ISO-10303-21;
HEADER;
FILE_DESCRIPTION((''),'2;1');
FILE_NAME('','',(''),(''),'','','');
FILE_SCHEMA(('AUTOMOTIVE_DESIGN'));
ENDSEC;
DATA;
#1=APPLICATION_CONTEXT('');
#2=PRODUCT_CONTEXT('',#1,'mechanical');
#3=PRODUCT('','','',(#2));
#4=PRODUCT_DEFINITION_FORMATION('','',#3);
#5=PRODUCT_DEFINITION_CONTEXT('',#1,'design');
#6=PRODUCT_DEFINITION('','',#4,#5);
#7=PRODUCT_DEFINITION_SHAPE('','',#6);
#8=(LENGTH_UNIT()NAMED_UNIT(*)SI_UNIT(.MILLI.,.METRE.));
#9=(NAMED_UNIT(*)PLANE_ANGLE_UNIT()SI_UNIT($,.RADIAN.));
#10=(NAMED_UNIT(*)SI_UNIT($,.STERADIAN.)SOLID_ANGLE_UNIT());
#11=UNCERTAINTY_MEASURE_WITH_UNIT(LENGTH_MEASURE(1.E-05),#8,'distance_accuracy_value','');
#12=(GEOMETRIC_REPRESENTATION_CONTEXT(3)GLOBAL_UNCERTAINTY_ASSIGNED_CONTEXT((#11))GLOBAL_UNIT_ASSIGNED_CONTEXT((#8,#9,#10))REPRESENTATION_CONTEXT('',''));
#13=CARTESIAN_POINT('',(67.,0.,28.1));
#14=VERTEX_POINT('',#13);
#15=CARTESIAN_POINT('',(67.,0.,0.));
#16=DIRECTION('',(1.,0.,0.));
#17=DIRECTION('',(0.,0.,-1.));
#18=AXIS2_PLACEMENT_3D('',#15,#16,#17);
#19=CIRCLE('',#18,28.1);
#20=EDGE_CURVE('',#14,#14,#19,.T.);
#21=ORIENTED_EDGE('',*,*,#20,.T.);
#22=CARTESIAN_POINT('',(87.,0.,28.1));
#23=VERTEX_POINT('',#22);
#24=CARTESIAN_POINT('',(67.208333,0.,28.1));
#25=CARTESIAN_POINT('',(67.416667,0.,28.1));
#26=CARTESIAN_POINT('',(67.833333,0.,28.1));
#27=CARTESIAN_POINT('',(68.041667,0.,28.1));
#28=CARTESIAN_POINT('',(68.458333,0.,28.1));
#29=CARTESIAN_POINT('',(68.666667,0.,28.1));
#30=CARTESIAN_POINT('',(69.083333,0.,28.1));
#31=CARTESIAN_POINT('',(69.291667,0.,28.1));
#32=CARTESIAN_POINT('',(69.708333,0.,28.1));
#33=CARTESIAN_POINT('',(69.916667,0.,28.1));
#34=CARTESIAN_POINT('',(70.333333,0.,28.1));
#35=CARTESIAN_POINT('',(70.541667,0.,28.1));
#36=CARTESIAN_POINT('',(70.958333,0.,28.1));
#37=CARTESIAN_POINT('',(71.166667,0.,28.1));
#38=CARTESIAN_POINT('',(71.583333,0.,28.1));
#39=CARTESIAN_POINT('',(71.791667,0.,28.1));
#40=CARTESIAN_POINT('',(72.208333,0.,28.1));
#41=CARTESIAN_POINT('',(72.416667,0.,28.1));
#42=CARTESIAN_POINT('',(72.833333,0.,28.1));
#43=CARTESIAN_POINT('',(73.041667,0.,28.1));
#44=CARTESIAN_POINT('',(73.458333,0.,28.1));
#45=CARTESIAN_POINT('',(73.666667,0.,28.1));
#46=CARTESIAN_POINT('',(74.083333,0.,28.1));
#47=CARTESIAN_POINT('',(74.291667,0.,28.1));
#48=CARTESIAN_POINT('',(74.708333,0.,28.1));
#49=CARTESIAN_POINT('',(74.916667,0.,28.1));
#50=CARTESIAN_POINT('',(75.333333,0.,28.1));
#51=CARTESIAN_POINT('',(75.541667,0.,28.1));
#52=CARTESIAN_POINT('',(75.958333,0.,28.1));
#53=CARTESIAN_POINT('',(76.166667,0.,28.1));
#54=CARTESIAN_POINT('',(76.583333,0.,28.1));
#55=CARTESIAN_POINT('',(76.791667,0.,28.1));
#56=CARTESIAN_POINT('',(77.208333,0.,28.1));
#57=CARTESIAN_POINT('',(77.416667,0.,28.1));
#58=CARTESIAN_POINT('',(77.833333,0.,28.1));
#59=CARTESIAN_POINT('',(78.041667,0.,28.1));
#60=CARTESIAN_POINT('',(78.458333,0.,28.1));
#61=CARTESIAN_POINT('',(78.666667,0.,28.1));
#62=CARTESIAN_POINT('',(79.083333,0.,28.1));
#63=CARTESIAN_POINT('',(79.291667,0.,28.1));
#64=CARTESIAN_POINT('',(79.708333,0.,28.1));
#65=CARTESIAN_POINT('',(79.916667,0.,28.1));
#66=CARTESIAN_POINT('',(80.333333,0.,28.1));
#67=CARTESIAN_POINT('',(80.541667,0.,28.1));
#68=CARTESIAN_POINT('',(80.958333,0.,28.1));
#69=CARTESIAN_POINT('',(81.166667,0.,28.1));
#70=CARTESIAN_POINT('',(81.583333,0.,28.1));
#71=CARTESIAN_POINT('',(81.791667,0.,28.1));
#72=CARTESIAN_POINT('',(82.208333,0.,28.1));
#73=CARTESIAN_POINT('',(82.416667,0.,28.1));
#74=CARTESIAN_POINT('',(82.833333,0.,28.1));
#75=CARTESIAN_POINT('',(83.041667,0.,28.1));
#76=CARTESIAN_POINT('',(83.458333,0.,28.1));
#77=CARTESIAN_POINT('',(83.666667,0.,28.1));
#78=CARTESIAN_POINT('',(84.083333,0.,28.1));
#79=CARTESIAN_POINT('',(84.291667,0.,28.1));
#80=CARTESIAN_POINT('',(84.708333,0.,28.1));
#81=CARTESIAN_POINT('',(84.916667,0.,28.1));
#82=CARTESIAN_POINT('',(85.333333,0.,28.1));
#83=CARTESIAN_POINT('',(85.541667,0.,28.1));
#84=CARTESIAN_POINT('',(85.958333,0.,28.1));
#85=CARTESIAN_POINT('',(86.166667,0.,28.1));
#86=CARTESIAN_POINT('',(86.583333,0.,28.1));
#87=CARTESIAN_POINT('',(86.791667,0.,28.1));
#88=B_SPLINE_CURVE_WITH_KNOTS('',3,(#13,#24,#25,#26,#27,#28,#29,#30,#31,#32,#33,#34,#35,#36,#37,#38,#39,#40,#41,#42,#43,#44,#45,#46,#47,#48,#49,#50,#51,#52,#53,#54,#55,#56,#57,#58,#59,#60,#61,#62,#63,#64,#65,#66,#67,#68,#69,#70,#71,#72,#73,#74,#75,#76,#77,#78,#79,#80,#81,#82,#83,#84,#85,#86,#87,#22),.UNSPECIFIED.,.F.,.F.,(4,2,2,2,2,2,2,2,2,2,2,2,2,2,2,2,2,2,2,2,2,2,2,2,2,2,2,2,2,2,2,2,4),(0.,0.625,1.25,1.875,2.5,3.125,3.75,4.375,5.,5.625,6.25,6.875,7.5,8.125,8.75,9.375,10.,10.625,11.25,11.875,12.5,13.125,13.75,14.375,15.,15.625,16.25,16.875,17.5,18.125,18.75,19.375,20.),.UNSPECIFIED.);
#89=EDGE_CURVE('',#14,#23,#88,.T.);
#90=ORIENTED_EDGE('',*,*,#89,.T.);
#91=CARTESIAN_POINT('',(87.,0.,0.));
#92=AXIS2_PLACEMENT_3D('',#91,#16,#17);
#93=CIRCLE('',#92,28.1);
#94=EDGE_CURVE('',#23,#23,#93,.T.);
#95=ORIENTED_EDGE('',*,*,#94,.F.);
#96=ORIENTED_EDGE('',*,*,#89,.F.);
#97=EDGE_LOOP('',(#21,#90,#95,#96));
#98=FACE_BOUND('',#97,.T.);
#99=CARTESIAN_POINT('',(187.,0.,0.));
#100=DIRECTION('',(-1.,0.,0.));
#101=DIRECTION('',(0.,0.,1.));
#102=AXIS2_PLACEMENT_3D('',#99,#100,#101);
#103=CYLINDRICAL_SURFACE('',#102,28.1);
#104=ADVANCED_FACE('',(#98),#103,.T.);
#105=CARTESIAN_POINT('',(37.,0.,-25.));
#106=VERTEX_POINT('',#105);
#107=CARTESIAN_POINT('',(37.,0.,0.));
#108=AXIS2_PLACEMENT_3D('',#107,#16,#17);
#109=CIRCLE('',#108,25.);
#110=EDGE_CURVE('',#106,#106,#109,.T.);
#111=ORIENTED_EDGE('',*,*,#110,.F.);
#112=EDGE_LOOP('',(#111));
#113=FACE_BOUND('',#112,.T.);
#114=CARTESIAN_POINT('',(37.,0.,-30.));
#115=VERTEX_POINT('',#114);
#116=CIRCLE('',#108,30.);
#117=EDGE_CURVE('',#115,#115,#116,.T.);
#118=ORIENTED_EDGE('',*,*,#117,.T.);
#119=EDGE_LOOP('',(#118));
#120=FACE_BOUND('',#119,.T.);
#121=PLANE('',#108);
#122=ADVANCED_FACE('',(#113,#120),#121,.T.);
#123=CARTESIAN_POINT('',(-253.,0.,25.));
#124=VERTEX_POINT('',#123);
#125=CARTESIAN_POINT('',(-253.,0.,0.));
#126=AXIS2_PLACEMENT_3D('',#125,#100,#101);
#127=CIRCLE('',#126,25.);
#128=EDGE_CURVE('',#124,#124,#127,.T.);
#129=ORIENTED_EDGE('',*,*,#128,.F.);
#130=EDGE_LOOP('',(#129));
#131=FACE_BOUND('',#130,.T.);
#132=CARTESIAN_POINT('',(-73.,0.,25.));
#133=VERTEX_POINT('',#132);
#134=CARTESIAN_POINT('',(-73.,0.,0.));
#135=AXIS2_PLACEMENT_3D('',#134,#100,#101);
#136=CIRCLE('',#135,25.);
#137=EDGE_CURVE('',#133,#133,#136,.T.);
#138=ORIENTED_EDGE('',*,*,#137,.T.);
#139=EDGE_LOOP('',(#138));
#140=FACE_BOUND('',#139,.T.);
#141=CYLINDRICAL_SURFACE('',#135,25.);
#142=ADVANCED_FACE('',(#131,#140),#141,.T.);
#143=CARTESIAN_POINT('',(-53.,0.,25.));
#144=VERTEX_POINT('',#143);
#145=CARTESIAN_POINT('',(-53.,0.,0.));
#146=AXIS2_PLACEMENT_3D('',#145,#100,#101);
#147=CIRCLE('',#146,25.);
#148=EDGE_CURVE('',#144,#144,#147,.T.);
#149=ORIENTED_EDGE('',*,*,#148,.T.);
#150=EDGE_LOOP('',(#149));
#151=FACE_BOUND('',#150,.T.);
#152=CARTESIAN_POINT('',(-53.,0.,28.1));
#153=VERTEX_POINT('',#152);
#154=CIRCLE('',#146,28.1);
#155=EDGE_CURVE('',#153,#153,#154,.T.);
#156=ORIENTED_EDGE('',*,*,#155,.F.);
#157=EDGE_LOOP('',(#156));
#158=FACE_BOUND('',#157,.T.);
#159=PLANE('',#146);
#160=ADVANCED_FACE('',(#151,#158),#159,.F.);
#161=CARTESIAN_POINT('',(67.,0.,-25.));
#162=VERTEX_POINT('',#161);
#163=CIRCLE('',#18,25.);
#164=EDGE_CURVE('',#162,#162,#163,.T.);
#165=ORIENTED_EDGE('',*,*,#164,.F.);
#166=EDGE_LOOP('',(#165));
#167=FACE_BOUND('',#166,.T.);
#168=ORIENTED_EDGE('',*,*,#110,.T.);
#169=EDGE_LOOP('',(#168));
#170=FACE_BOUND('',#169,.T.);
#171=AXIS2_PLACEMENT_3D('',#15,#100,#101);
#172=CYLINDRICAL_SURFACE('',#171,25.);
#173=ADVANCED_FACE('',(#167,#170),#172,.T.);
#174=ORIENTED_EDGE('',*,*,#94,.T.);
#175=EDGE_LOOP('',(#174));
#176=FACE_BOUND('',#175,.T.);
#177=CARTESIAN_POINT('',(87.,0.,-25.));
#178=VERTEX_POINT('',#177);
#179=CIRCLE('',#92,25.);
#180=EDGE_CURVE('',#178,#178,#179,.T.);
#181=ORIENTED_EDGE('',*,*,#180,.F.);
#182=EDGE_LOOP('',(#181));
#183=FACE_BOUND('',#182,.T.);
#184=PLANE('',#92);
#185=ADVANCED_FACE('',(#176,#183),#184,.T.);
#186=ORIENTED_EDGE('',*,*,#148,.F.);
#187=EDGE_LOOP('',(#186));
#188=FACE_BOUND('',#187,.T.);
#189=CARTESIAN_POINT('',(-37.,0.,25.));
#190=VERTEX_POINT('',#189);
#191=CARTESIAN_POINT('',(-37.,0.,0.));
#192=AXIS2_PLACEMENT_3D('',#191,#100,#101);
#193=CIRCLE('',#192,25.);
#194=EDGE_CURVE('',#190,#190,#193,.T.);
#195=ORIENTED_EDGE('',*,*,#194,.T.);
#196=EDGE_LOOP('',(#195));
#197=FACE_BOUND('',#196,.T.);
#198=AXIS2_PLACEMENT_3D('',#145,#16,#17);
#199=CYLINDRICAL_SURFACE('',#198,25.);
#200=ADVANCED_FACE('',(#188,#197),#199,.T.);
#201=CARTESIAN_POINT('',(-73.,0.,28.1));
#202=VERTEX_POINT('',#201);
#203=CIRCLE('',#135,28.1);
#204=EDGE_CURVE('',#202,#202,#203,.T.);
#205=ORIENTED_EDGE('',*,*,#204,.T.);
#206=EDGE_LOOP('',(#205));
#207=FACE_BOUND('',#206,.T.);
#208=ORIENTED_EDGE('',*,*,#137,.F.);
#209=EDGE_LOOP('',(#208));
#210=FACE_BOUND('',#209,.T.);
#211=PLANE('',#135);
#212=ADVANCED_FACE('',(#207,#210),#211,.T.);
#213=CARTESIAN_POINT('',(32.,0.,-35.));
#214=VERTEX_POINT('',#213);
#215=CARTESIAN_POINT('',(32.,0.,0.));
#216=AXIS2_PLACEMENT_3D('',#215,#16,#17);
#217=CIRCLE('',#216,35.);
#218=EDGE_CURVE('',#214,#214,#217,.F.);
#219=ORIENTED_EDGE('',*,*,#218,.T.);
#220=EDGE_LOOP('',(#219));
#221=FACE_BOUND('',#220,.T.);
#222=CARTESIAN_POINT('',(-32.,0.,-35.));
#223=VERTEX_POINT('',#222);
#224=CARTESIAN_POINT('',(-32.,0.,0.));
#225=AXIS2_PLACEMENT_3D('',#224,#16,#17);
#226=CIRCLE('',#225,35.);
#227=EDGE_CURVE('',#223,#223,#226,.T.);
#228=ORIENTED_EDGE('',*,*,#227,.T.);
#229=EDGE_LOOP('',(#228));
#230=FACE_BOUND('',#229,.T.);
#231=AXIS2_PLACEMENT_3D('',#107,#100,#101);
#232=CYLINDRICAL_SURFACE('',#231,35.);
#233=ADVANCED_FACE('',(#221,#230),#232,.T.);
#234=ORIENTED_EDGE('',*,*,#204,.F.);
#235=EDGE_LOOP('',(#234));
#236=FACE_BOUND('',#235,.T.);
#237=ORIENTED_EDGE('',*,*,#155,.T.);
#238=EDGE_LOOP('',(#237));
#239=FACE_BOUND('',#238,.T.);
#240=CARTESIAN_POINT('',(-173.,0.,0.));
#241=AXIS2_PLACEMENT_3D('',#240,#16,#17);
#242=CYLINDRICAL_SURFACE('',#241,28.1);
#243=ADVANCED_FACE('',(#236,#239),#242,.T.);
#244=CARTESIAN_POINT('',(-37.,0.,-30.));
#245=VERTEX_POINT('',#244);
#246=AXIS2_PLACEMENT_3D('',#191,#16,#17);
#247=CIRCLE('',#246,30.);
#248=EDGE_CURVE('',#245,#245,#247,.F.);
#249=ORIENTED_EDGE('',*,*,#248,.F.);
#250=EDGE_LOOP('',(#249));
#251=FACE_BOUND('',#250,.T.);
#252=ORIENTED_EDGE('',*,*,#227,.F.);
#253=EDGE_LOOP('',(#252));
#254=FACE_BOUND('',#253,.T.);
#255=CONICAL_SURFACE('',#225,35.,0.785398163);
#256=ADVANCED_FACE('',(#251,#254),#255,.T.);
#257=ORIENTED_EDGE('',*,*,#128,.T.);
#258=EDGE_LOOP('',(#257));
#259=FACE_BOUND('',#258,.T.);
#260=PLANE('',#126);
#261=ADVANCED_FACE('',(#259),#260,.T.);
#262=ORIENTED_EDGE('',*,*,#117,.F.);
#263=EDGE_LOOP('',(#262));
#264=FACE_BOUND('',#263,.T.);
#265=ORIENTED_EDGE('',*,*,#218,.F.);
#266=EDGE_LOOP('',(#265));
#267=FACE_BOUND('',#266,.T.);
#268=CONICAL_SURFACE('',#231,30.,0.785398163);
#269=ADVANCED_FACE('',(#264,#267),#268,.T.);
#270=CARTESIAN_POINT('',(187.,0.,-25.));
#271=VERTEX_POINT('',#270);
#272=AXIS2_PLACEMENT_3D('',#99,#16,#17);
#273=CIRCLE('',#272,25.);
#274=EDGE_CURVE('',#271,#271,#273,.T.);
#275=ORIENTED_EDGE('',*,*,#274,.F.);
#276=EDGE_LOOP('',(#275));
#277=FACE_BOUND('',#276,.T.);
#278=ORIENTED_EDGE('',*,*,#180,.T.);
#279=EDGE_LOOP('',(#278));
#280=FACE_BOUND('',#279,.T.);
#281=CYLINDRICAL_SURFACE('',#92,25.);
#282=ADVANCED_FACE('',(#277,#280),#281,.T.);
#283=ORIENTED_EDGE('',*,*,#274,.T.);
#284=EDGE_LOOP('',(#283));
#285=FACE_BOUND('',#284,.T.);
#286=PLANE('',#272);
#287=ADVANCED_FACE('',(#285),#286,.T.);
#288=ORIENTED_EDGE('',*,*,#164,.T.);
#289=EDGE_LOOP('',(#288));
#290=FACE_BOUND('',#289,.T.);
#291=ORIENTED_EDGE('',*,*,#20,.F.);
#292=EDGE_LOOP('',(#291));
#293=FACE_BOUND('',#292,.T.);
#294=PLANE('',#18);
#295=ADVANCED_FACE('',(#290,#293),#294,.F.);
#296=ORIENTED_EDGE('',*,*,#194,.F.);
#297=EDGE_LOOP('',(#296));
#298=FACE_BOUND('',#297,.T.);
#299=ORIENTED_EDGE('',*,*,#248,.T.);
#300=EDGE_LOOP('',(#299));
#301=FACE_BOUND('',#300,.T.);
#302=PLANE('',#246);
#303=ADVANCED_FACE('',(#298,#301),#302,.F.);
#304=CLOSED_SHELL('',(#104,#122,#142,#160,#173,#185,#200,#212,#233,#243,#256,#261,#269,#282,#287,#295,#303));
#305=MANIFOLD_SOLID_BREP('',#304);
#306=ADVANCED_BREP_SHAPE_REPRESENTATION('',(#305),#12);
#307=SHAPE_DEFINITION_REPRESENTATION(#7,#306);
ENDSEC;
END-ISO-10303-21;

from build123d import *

# Parameters (mm, degrees)
CROQUIS1_R              = 35
SALIENTE_EXTRUIR1_DEPTH = 37
CHAFL_N1_SIZE           = 5
CROQUIS2_R              = 25
SALIENTE_EXTRUIR2_DEPTH = 16
CROQUIS3_R              = 28.1
SALIENTE_EXTRUIR3_DEPTH = 120
SALIENTE_EXTRUIR4_START = 30
CROQUIS4_R              = 25
SALIENTE_EXTRUIR4_DEPTH = 30
SALIENTE_EXTRUIR5_START = 120
CROQUIS5_R              = 28.1
SALIENTE_EXTRUIR5_DEPTH = 120
CORTAR_EXTRUIR1_START   = -100
CROQUIS6_R              = 28.1
CROQUIS6_R_2            = 25
CORTAR_EXTRUIR1_DEPTH   = 100
CROQUIS8_R              = 28.1
CROQUIS8_R_2            = 25
CORTAR_EXTRUIR2_DEPTH   = 100
CROQUIS9_R              = 25
SALIENTE_EXTRUIR6_DEPTH = 80


with BuildPart() as part:
    # Croquis1 → Saliente-Extruir1 (new, symmetric)
    with BuildSketch(Plane(origin=(0, 0, 0), x_dir=(0, 0, -1), z_dir=(1, 0, 0))):
        Circle(CROQUIS1_R)
    extrude(amount=SALIENTE_EXTRUIR1_DEPTH, both=True)

    # Chaflán1
    chafl_n1_edges = [part.edges().sort_by_distance(p)[0] for p in [
        (-37, 0, 35),
        (37, 0, 35),
    ]]
    chamfer(chafl_n1_edges, length=CHAFL_N1_SIZE)

    # Croquis2 → Saliente-Extruir2 (add)
    with BuildSketch(Plane.ZY.offset(37)):
        Circle(CROQUIS2_R)
    extrude(amount=SALIENTE_EXTRUIR2_DEPTH)

    # Croquis3 → Saliente-Extruir3 (add)
    with BuildSketch(Plane.ZY.offset(53)):
        Circle(CROQUIS3_R)
    extrude(amount=SALIENTE_EXTRUIR3_DEPTH)

    # Croquis4 → Saliente-Extruir4 (add)
    with BuildSketch(Plane(origin=(37, 0, 0), x_dir=(0, 0, -1), z_dir=(1, 0, 0)).offset(SALIENTE_EXTRUIR4_START)):
        with Locations(Location((0, 0, 0), (0, 0, 180))):
            Circle(CROQUIS4_R)
    extrude(amount=-SALIENTE_EXTRUIR4_DEPTH)

    # Croquis5 → Saliente-Extruir5 (add)
    with BuildSketch(Plane(origin=(67, 0, 0), x_dir=(0, 0, -1), z_dir=(1, 0, 0)).offset(SALIENTE_EXTRUIR5_START)):
        with Locations(Location((0, 0, 0), (0, 0, 180))):
            Circle(CROQUIS5_R)
    extrude(amount=-SALIENTE_EXTRUIR5_DEPTH)

    # Croquis6 → Cortar-Extruir1 (cut)
    with BuildSketch(Plane.ZY.offset(173).offset(CORTAR_EXTRUIR1_START)):
        Circle(CROQUIS6_R)
        Circle(CROQUIS6_R_2, mode=Mode.SUBTRACT)
    extrude(amount=CORTAR_EXTRUIR1_DEPTH, mode=Mode.SUBTRACT)

    # Croquis8 → Cortar-Extruir2 (cut)
    with BuildSketch(Plane(origin=(187, 0, 0), x_dir=(0, 0, -1), z_dir=(1, 0, 0))):
        with Locations(Location((0, 0, 0), (0, 0, 180))):
            Circle(CROQUIS8_R)
        with Locations(Location((0, 0, 0), (0, 0, 180))):
            Circle(CROQUIS8_R_2, mode=Mode.SUBTRACT)
    extrude(amount=-CORTAR_EXTRUIR2_DEPTH, mode=Mode.SUBTRACT)

    # Croquis9 → Saliente-Extruir6 (add)
    with BuildSketch(Plane.ZY.offset(173)):
        Circle(CROQUIS9_R)
    extrude(amount=SALIENTE_EXTRUIR6_DEPTH)


solid = part.part
